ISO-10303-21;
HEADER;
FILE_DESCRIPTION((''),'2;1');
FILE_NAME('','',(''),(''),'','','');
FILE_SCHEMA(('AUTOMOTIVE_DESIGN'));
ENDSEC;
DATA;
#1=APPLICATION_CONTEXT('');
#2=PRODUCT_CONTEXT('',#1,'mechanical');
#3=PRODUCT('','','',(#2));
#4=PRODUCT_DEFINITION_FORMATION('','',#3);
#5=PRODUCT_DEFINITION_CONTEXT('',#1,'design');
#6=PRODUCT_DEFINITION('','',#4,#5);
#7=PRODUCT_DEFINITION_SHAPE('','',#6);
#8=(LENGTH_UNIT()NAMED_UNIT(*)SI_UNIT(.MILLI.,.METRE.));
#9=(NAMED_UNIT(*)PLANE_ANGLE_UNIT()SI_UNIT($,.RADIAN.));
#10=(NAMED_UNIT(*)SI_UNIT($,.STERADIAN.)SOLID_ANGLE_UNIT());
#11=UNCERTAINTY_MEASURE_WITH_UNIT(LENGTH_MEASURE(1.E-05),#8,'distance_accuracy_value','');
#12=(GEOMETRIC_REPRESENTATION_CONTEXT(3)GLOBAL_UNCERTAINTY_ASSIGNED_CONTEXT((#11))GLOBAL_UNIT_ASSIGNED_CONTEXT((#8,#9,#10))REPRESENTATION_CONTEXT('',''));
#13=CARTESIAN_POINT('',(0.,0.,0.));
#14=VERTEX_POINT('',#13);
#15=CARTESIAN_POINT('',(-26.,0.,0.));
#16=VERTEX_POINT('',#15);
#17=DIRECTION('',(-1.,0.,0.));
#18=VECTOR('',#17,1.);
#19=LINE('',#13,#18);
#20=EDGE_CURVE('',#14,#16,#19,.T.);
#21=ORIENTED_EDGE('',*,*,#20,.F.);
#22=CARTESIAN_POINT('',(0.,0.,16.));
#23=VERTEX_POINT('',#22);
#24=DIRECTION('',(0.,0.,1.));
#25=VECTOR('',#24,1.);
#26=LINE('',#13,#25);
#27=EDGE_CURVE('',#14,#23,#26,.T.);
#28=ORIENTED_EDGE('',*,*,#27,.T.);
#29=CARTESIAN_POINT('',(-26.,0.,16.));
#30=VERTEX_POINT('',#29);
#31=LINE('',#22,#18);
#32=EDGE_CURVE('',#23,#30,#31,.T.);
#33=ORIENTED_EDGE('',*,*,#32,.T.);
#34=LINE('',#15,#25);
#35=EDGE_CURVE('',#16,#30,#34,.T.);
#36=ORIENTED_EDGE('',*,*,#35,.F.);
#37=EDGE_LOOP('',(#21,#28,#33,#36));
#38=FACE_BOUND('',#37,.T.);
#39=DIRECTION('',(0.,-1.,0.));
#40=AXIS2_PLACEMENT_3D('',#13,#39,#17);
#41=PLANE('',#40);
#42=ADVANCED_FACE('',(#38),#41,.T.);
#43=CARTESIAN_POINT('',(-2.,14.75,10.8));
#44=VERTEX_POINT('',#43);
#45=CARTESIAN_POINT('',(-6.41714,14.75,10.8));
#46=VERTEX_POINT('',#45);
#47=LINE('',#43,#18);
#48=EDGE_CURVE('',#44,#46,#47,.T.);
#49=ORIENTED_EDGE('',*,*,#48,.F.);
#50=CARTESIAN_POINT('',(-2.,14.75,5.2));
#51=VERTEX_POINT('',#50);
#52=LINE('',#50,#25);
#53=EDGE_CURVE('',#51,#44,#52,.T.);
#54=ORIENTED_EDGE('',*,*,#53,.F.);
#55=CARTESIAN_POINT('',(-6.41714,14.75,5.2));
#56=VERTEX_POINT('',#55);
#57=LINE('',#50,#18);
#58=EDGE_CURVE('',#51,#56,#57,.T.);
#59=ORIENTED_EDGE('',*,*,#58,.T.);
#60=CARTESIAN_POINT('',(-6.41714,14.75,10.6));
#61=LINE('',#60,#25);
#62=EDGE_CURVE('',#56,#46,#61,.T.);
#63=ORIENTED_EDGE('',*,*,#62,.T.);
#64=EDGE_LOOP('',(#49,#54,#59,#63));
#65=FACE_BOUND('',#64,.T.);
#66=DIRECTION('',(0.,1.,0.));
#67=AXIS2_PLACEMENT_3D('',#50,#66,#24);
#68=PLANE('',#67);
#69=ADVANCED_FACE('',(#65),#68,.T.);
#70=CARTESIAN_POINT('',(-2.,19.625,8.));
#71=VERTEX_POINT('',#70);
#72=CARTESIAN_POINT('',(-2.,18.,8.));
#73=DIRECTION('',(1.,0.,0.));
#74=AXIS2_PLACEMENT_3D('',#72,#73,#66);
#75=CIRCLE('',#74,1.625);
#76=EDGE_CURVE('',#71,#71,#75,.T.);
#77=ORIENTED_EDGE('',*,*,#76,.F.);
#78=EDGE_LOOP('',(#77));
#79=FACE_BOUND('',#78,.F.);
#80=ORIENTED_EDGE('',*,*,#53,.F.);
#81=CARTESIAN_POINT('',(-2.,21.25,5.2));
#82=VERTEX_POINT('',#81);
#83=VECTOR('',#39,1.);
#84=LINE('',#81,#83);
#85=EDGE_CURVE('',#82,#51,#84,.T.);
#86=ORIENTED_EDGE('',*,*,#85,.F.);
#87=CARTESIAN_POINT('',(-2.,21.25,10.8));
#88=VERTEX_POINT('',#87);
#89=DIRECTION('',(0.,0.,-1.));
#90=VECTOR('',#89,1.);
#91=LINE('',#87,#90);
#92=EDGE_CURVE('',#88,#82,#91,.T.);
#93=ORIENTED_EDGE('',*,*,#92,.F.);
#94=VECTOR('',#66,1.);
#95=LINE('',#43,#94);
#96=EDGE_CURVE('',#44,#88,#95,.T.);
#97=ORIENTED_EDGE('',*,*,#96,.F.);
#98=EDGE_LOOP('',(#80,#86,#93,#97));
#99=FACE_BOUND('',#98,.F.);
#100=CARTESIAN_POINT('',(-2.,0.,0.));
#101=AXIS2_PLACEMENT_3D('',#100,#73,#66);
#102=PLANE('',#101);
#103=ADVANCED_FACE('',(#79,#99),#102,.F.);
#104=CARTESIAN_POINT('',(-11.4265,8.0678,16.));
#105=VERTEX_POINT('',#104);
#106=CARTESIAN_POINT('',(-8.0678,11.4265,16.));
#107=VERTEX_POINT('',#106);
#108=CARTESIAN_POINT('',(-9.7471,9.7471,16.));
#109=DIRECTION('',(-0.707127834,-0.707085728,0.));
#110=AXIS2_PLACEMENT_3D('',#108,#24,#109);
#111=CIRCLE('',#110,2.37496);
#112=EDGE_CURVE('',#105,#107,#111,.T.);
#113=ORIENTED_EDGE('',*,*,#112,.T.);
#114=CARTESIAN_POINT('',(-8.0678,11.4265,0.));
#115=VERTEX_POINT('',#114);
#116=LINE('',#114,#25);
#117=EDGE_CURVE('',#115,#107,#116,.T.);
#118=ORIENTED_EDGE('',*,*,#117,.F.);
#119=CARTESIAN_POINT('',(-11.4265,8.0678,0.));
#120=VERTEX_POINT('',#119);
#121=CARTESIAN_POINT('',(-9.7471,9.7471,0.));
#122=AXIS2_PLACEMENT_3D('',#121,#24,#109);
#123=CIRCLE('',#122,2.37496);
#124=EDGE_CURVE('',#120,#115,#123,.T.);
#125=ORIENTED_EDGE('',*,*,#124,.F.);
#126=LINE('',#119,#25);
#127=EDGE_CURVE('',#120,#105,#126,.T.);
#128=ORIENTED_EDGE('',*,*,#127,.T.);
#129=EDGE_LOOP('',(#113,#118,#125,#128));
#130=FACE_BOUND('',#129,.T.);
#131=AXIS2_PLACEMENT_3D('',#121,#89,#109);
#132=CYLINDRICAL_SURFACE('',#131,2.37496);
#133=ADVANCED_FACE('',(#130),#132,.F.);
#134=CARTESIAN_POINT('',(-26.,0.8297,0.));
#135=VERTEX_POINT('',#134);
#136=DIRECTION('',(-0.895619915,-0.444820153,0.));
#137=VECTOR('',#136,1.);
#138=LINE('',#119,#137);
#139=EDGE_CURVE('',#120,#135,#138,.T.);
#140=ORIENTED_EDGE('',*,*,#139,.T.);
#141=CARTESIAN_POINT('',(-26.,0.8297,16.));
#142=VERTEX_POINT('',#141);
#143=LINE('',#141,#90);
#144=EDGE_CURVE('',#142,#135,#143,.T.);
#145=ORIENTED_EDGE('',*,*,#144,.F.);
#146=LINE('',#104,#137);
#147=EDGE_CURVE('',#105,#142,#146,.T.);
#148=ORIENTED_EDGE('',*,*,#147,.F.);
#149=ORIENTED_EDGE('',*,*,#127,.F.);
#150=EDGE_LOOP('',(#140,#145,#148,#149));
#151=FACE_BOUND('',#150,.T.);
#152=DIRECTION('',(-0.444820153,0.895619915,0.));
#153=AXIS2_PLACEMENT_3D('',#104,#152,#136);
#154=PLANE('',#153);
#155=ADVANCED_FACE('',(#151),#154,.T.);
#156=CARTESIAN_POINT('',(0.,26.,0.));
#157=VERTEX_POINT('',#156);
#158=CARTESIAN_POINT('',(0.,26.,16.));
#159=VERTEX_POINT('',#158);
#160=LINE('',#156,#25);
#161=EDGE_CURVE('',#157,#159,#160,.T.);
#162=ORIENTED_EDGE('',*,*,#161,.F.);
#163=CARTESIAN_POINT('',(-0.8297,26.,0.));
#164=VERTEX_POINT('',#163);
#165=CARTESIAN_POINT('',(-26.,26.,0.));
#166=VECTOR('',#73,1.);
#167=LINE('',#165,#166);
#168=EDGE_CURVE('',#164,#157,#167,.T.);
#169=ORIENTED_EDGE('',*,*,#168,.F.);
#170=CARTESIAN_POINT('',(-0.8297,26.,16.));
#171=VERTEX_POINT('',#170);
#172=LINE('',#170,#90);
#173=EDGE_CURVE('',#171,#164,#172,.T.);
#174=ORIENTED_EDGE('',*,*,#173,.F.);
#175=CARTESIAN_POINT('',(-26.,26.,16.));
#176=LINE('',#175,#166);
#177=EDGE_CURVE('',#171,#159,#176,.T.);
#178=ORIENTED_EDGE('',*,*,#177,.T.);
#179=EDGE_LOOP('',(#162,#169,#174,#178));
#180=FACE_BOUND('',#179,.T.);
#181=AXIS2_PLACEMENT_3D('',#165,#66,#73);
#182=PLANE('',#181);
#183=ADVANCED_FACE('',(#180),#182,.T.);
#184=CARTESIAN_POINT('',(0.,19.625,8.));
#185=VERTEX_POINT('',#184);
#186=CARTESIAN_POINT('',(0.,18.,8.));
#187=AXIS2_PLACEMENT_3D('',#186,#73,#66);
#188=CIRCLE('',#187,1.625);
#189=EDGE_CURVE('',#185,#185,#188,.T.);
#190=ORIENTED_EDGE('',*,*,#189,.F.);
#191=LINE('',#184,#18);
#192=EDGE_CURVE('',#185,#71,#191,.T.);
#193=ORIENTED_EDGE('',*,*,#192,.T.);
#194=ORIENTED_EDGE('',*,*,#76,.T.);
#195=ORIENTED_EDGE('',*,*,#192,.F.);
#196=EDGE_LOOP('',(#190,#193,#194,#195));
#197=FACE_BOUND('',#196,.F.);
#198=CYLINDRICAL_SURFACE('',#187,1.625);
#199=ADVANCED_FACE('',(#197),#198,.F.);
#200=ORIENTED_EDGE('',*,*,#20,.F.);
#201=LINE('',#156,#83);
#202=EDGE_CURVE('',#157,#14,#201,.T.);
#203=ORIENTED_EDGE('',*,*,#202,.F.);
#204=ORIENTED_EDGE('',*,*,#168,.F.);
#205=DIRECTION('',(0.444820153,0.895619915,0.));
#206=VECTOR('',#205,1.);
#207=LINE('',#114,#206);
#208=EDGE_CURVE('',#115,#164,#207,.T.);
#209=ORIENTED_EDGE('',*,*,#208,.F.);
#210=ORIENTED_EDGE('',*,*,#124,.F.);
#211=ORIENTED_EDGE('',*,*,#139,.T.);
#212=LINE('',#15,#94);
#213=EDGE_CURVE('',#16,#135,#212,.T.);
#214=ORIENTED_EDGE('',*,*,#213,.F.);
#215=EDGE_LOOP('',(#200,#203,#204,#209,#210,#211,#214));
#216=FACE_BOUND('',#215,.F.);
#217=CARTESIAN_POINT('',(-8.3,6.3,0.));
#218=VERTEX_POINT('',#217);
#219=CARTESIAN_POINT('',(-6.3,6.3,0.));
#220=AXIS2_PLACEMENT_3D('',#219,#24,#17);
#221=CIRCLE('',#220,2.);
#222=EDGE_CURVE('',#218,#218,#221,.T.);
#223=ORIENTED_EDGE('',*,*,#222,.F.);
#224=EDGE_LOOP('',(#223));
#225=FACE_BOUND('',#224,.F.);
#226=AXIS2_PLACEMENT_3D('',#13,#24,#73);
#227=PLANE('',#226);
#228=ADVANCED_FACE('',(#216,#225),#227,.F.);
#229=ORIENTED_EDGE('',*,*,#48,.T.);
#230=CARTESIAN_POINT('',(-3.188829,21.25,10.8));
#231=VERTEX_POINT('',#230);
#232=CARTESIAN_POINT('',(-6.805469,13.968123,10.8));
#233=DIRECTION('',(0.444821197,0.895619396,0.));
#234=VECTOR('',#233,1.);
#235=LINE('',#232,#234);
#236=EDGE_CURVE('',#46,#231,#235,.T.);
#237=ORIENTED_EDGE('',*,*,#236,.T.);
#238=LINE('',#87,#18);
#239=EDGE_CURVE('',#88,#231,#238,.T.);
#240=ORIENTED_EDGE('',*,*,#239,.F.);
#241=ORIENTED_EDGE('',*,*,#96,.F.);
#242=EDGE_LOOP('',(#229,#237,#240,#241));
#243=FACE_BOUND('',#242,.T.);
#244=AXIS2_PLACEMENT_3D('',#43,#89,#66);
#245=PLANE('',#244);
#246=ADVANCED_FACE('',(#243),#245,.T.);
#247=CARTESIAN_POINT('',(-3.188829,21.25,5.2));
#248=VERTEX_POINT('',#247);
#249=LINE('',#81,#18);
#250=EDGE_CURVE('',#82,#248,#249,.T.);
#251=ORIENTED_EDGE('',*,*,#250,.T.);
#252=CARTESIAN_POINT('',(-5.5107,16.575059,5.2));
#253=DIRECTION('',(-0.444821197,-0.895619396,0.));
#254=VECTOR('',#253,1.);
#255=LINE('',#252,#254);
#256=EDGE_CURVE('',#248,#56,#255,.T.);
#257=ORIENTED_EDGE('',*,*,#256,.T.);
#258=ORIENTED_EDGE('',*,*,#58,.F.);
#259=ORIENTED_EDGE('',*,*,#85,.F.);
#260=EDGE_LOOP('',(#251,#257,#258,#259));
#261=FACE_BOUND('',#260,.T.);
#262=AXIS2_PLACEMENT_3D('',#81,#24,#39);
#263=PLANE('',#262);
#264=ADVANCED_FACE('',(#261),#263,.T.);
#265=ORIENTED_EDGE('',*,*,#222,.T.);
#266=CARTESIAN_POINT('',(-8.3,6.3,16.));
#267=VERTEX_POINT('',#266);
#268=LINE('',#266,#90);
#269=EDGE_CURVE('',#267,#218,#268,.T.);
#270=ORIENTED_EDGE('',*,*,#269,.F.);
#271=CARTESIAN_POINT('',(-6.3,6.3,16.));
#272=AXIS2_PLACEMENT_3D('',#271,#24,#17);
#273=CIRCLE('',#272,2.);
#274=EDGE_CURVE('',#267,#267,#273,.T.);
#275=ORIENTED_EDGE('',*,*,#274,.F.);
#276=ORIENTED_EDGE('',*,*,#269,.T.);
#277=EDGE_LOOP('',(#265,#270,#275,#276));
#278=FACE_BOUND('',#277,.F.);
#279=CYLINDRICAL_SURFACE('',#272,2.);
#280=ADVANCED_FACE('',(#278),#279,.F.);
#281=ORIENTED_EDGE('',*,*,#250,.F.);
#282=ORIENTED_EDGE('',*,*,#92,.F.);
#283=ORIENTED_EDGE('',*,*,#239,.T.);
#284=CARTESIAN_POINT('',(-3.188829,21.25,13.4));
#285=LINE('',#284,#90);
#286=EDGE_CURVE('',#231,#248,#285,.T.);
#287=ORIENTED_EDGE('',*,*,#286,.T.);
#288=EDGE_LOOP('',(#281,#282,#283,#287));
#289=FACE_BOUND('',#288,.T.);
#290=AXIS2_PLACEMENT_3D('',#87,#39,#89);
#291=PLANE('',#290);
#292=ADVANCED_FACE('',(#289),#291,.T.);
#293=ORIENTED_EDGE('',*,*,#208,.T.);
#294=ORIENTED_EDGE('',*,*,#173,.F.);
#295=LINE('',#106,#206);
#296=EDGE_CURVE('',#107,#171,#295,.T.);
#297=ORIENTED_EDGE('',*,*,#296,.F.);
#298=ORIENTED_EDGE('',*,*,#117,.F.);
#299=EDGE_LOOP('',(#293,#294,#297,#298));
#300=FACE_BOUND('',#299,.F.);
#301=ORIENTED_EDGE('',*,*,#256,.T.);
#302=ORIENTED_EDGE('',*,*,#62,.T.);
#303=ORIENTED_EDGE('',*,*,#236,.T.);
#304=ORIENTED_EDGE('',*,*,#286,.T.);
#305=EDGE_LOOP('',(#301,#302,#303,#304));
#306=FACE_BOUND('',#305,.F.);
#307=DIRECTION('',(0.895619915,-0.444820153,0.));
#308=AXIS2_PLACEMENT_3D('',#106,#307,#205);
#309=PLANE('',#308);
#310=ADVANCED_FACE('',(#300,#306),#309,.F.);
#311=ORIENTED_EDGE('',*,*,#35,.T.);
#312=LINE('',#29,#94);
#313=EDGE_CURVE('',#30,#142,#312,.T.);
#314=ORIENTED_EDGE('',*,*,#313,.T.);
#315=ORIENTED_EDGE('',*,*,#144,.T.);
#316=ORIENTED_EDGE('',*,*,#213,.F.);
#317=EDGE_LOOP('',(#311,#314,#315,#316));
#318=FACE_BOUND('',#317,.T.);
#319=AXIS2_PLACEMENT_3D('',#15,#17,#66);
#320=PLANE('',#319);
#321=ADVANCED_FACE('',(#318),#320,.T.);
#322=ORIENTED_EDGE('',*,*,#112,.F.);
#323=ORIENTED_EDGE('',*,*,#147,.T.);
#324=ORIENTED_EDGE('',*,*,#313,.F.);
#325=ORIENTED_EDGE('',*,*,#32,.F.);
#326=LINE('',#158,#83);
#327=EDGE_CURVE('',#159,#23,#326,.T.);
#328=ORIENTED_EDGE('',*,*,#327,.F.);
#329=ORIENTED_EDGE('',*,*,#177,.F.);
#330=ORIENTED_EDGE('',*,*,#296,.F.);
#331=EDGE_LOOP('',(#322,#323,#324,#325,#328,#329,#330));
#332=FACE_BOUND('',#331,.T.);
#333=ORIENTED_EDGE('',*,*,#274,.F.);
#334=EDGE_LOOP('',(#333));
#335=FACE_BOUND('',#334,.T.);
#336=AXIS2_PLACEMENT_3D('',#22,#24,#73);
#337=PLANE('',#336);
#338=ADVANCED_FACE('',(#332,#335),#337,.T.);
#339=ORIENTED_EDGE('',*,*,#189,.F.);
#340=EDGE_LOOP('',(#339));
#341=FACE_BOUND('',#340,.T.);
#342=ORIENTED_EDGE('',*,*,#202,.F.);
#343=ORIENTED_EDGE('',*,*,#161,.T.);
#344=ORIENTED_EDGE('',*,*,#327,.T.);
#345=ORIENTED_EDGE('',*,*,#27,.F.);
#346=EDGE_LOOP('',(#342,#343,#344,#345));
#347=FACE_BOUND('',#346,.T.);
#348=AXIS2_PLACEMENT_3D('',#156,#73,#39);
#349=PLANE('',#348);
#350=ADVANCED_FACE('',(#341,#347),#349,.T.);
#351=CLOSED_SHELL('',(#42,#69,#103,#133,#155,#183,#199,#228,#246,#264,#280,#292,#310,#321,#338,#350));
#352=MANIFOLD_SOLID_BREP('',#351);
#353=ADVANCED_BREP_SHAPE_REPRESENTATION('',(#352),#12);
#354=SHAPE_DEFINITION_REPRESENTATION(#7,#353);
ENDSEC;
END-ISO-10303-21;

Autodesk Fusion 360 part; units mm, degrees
sketch "Sketch1" plane through (0, 0, 0) normal (0, 0, 1) x (1, 0, 0)
  line L0 (0, 0) -> (-118.5, 0) construction
  line L1 (-118.5, 0) -> (-118.5, 118.5) construction
  line L2 (-118.5, 118.5) -> (0, 118.5) construction
  line L3 (0, 118.5) -> (0, 0) construction
  line L4 (0, 0) -> (-26, 0)
  line L5 (-26, 0) -> (-26, 26)
  line L6 (-26, 26) -> (0, 26)
  line L7 (0, 26) -> (0, 0)
  dimension "d11" = 118.5
  dimension "d12" = 118.5
  dimension "d13" = 26
  dimension "d14" = 26
extrude "Extrude1" add sketch "Sketch1" along normal blind 16
sketch "Sketch2" plane through (0, 0, 16) normal (0, 0, 1) x (-1, 0, 0)
  line L0 (0, -26) -> (26, -26)
  line L1 (26, -26) -> (26, 0)
  line L2 (26, 0) -> (0, 0)
  line L3 (0, 0) -> (0, -26)
  circle A0 centre (6.3, -6.3) radius 2
  dimension "d17" = 4
  dimension "d18" = 6.3
  dimension "d19" = 6.3
extrude "Extrude2" cut sketch "Sketch2" against normal up to surface (16 mm away) contours A0
sketch "Sketch3" plane through (0, 0, 0) normal (0, 0, 1) x (1, 0, 0)
  line L0 (0, 0) -> (-118.5, 0) construction
  line L1 (-118.5, 0) -> (-118.5, 118.5) construction
  line L2 (-118.5, 118.5) -> (0, 118.5) construction
  line L3 (0, 118.5) -> (0, 0) construction
  line L4 (-118.5, 59.25) -> (0, 59.25) construction
  line L5 (-59.25, 118.5) -> (-59.25, 0) construction
  circle A0 centre (-59.25, 59.25) radius 66.5
  dimension "d22" = 118.5
  dimension "d23" = 118.5
  dimension "d24" = 133
extrude "Extrude3" cut sketch "Sketch3" along normal up to surface (16 mm away)
sketch "Sketch4" plane through (0, 0, 0) normal (0, 0, 1) x (1, 0, 0)
  line L0 (-8.0678, 11.4265) -> (-18.8511, 22.2099)
  arc A0 (-18.8511, 22.2099) -> (-22.2099, 18.8511) centre (-20.5305, 20.5305) ccw
  line L1 (-22.2099, 18.8511) -> (-11.4265, 8.0678)
  arc A1 (-11.4265, 8.0678) -> (-8.0678, 11.4265) centre (-9.7471, 9.7471) ccw
  line L2 (-8.0678, 8.0678) -> (-22.2099, 22.2099) construction
  circle A2 centre (-6.3, 6.3) radius 2
  dimension "d27" = 4.75
  dimension "d28" = 2.5
extrude "Extrude4" cut sketch "Sketch4" along normal up to surface (16 mm away) contours L0 A0 L1 A1
sketch "Sketch5" plane through (0, 0, 0) normal (0, 0, 1) x (1, 0, 0)
sketch "Sketch6" plane through (0, 0, 16) normal (0, 0, 1) x (-1, 0, 0)
  circle A0 centre (6.3, -6.3) radius 2
  line L0 (10.578, -13.9368) -> (8.0678, -11.4265)
  arc A1 (11.4265, -8.0678) -> (8.0678, -11.4265) centre (9.7471, -9.7471) ccw
  line L1 (11.4265, -8.0678) -> (13.9368, -10.578)
  arc A2 (26, -1.6593) -> (13.9368, -10.578) centre (59.25, -59.25) ccw
  line L2 (26, -1.6593) -> (26, 0)
  line L3 (26, 0) -> (0, 0)
  line L4 (0, 0) -> (0, -26)
  line L5 (0, -26) -> (1.6593, -26)
  arc A3 (10.578, -13.9368) -> (1.6593, -26) centre (59.25, -59.25) ccw
  line L6 (11.4265, -8.0678) -> (26, -0.8297)
  line L7 (26, -1.6593) -> (13.9368, -10.578)
  line L8 (13.9368, -10.578) -> (11.4265, -8.0678)
  line L9 (26, -1.6593) -> (26, -0.8297)
extrude "Extrude5" cut sketch "Sketch6" against normal up to surface (16 mm away) contours L1 A2 L2 L6 L8 L9
sketch "Sketch7" plane through (0, 0, 16) normal (0, 0, 1) x (-1, 0, 0)
  line L0 (11.4265, -8.0678) -> (26, -0.8297)
  line L1 (26, -0.8297) -> (26, 0)
  line L2 (26, 0) -> (0, 0)
  line L3 (0, 0) -> (0, -26)
  line L4 (0, -26) -> (1.6593, -26)
  arc A0 (10.578, -13.9368) -> (1.6593, -26) centre (59.25, -59.25) ccw
  line L5 (10.578, -13.9368) -> (8.0678, -11.4265)
  arc A1 (11.4265, -8.0678) -> (8.0678, -11.4265) centre (9.7471, -9.7471) ccw
  circle A2 centre (6.3, -6.3) radius 2
  line L6 (8.0678, -11.4265) -> (0.8297, -26)
  line L7 (0.8297, -26) -> (1.6593, -26)
  line L8 (1.6593, -26) -> (10.578, -13.9368)
  line L9 (10.578, -13.9368) -> (8.0678, -11.4265)
extrude "Extrude6" cut sketch "Sketch7" against normal up to surface (16 mm away) contours L4 A0 L5 L6 L7 L9
sketch "Sketch8" plane through (0, 0, 0) normal (1, 0, 0) x (0, 1, 0)
  line L0 (0, 0) -> (26, 0)
  line L1 (26, 0) -> (26, 16)
  line L2 (26, 16) -> (0, 16)
  line L3 (0, 16) -> (0, 0)
  circle A0 centre (18, 8) radius 1.625
  dimension "d39" = 3.25
  dimension "d40" = 18
extrude "Extrude7" cut sketch "Sketch8" along normal up to surface contours A0 end surface through (-8.0678, 11.4265, 16) normal (-0.895619, 0.444821, 0) offset 0
sketch "Sketch9" plane through (0, 0, 0) normal (1, 0, 0) x (0, 1, 0)
  circle A0 centre (18, 8) radius 1.625
  line L0 (0, 0) -> (26, 0)
  line L1 (26, 0) -> (26, 16)
  line L2 (26, 16) -> (0, 16)
  line L3 (0, 16) -> (0, 0)
  line L4 (21.25, 5.2) -> (14.75, 5.2)
  line L5 (14.75, 5.2) -> (14.75, 10.8)
  line L6 (14.75, 10.8) -> (21.25, 10.8)
  line L7 (21.25, 10.8) -> (21.25, 5.2)
  line L8 (21.25, 5.2) -> (14.75, 10.8) construction
  line L9 (14.75, 5.2) -> (21.25, 10.8) construction
  point P0 (18, 8)
  dimension "d46" = 6.5
  dimension "d47" = 5.6
extrude "Extrude8" cut sketch "Sketch9" along normal up to surface from surface at -2 contours L4 L5 L6 L7 end surface through (-8.0678, 11.4265, 16) normal (-0.895619, 0.444821, 0) offset 0
equation "fan_mount_hole_diameter = 4 mm"
equation "fan_mount_length = 26 mm"
equation "fan_mount_width = 16 mm"
equation "fan_mount_height = 26 mm"
equation "fan_inner_diameter = 115.2 mm"
equation "fan_mount_hole_edge_offset = 4.3 mm + ( fan_mount_hole_diameter / 2 )"
equation "fan_outer_mount_strut_width = 4.75 mm"
equation "fan_cove_radius = 66.5 mm"
equation "fan_mount_hole_cove_offset = 6 mm"
equation "fan_overall_width = 118.5 mm"
equation "d11 = fan_overall_width"
equation "d12 = fan_overall_width"
equation "d13 = fan_mount_length"
equation "d14 = fan_mount_height"
equation "d15 = fan_mount_width"
equation "d17 = fan_mount_hole_diameter"
equation "d18 = fan_mount_hole_edge_offset"
equation "d19 = fan_mount_hole_edge_offset"
equation "d22 = fan_overall_width"
equation "d23 = fan_overall_width"
equation "d24 = 2 * fan_cove_radius"
equation "d27 = fan_outer_mount_strut_width"
equation "d28 = ( fan_mount_hole_diameter / 2 ) + fan_strut_hole_offset"
equation "fan_strut_hole_offset = 0.5 mm"
equation "sharp_corner_fillet = 2 mm"
equation "bottom_hole_diameter = 3.25 mm"
equation "bottom_hole_edge_offset = 18 mm"
equation "d39 = bottom_hole_diameter"
equation "d40 = bottom_hole_edge_offset"
equation "bottom_screw_mount_nut_holder_width = 5.6 mm"
equation "bottom_screw_mount_nut_holder_length = 6.5 mm"
equation "bottom_screw_mount_nut_holder_bottom_offset = 2 mm"
equation "d46 = bottom_screw_mount_nut_holder_length"
equation "d47 = bottom_screw_mount_nut_holder_width"
equation "d48 = -bottom_screw_mount_nut_holder_bottom_offset"
